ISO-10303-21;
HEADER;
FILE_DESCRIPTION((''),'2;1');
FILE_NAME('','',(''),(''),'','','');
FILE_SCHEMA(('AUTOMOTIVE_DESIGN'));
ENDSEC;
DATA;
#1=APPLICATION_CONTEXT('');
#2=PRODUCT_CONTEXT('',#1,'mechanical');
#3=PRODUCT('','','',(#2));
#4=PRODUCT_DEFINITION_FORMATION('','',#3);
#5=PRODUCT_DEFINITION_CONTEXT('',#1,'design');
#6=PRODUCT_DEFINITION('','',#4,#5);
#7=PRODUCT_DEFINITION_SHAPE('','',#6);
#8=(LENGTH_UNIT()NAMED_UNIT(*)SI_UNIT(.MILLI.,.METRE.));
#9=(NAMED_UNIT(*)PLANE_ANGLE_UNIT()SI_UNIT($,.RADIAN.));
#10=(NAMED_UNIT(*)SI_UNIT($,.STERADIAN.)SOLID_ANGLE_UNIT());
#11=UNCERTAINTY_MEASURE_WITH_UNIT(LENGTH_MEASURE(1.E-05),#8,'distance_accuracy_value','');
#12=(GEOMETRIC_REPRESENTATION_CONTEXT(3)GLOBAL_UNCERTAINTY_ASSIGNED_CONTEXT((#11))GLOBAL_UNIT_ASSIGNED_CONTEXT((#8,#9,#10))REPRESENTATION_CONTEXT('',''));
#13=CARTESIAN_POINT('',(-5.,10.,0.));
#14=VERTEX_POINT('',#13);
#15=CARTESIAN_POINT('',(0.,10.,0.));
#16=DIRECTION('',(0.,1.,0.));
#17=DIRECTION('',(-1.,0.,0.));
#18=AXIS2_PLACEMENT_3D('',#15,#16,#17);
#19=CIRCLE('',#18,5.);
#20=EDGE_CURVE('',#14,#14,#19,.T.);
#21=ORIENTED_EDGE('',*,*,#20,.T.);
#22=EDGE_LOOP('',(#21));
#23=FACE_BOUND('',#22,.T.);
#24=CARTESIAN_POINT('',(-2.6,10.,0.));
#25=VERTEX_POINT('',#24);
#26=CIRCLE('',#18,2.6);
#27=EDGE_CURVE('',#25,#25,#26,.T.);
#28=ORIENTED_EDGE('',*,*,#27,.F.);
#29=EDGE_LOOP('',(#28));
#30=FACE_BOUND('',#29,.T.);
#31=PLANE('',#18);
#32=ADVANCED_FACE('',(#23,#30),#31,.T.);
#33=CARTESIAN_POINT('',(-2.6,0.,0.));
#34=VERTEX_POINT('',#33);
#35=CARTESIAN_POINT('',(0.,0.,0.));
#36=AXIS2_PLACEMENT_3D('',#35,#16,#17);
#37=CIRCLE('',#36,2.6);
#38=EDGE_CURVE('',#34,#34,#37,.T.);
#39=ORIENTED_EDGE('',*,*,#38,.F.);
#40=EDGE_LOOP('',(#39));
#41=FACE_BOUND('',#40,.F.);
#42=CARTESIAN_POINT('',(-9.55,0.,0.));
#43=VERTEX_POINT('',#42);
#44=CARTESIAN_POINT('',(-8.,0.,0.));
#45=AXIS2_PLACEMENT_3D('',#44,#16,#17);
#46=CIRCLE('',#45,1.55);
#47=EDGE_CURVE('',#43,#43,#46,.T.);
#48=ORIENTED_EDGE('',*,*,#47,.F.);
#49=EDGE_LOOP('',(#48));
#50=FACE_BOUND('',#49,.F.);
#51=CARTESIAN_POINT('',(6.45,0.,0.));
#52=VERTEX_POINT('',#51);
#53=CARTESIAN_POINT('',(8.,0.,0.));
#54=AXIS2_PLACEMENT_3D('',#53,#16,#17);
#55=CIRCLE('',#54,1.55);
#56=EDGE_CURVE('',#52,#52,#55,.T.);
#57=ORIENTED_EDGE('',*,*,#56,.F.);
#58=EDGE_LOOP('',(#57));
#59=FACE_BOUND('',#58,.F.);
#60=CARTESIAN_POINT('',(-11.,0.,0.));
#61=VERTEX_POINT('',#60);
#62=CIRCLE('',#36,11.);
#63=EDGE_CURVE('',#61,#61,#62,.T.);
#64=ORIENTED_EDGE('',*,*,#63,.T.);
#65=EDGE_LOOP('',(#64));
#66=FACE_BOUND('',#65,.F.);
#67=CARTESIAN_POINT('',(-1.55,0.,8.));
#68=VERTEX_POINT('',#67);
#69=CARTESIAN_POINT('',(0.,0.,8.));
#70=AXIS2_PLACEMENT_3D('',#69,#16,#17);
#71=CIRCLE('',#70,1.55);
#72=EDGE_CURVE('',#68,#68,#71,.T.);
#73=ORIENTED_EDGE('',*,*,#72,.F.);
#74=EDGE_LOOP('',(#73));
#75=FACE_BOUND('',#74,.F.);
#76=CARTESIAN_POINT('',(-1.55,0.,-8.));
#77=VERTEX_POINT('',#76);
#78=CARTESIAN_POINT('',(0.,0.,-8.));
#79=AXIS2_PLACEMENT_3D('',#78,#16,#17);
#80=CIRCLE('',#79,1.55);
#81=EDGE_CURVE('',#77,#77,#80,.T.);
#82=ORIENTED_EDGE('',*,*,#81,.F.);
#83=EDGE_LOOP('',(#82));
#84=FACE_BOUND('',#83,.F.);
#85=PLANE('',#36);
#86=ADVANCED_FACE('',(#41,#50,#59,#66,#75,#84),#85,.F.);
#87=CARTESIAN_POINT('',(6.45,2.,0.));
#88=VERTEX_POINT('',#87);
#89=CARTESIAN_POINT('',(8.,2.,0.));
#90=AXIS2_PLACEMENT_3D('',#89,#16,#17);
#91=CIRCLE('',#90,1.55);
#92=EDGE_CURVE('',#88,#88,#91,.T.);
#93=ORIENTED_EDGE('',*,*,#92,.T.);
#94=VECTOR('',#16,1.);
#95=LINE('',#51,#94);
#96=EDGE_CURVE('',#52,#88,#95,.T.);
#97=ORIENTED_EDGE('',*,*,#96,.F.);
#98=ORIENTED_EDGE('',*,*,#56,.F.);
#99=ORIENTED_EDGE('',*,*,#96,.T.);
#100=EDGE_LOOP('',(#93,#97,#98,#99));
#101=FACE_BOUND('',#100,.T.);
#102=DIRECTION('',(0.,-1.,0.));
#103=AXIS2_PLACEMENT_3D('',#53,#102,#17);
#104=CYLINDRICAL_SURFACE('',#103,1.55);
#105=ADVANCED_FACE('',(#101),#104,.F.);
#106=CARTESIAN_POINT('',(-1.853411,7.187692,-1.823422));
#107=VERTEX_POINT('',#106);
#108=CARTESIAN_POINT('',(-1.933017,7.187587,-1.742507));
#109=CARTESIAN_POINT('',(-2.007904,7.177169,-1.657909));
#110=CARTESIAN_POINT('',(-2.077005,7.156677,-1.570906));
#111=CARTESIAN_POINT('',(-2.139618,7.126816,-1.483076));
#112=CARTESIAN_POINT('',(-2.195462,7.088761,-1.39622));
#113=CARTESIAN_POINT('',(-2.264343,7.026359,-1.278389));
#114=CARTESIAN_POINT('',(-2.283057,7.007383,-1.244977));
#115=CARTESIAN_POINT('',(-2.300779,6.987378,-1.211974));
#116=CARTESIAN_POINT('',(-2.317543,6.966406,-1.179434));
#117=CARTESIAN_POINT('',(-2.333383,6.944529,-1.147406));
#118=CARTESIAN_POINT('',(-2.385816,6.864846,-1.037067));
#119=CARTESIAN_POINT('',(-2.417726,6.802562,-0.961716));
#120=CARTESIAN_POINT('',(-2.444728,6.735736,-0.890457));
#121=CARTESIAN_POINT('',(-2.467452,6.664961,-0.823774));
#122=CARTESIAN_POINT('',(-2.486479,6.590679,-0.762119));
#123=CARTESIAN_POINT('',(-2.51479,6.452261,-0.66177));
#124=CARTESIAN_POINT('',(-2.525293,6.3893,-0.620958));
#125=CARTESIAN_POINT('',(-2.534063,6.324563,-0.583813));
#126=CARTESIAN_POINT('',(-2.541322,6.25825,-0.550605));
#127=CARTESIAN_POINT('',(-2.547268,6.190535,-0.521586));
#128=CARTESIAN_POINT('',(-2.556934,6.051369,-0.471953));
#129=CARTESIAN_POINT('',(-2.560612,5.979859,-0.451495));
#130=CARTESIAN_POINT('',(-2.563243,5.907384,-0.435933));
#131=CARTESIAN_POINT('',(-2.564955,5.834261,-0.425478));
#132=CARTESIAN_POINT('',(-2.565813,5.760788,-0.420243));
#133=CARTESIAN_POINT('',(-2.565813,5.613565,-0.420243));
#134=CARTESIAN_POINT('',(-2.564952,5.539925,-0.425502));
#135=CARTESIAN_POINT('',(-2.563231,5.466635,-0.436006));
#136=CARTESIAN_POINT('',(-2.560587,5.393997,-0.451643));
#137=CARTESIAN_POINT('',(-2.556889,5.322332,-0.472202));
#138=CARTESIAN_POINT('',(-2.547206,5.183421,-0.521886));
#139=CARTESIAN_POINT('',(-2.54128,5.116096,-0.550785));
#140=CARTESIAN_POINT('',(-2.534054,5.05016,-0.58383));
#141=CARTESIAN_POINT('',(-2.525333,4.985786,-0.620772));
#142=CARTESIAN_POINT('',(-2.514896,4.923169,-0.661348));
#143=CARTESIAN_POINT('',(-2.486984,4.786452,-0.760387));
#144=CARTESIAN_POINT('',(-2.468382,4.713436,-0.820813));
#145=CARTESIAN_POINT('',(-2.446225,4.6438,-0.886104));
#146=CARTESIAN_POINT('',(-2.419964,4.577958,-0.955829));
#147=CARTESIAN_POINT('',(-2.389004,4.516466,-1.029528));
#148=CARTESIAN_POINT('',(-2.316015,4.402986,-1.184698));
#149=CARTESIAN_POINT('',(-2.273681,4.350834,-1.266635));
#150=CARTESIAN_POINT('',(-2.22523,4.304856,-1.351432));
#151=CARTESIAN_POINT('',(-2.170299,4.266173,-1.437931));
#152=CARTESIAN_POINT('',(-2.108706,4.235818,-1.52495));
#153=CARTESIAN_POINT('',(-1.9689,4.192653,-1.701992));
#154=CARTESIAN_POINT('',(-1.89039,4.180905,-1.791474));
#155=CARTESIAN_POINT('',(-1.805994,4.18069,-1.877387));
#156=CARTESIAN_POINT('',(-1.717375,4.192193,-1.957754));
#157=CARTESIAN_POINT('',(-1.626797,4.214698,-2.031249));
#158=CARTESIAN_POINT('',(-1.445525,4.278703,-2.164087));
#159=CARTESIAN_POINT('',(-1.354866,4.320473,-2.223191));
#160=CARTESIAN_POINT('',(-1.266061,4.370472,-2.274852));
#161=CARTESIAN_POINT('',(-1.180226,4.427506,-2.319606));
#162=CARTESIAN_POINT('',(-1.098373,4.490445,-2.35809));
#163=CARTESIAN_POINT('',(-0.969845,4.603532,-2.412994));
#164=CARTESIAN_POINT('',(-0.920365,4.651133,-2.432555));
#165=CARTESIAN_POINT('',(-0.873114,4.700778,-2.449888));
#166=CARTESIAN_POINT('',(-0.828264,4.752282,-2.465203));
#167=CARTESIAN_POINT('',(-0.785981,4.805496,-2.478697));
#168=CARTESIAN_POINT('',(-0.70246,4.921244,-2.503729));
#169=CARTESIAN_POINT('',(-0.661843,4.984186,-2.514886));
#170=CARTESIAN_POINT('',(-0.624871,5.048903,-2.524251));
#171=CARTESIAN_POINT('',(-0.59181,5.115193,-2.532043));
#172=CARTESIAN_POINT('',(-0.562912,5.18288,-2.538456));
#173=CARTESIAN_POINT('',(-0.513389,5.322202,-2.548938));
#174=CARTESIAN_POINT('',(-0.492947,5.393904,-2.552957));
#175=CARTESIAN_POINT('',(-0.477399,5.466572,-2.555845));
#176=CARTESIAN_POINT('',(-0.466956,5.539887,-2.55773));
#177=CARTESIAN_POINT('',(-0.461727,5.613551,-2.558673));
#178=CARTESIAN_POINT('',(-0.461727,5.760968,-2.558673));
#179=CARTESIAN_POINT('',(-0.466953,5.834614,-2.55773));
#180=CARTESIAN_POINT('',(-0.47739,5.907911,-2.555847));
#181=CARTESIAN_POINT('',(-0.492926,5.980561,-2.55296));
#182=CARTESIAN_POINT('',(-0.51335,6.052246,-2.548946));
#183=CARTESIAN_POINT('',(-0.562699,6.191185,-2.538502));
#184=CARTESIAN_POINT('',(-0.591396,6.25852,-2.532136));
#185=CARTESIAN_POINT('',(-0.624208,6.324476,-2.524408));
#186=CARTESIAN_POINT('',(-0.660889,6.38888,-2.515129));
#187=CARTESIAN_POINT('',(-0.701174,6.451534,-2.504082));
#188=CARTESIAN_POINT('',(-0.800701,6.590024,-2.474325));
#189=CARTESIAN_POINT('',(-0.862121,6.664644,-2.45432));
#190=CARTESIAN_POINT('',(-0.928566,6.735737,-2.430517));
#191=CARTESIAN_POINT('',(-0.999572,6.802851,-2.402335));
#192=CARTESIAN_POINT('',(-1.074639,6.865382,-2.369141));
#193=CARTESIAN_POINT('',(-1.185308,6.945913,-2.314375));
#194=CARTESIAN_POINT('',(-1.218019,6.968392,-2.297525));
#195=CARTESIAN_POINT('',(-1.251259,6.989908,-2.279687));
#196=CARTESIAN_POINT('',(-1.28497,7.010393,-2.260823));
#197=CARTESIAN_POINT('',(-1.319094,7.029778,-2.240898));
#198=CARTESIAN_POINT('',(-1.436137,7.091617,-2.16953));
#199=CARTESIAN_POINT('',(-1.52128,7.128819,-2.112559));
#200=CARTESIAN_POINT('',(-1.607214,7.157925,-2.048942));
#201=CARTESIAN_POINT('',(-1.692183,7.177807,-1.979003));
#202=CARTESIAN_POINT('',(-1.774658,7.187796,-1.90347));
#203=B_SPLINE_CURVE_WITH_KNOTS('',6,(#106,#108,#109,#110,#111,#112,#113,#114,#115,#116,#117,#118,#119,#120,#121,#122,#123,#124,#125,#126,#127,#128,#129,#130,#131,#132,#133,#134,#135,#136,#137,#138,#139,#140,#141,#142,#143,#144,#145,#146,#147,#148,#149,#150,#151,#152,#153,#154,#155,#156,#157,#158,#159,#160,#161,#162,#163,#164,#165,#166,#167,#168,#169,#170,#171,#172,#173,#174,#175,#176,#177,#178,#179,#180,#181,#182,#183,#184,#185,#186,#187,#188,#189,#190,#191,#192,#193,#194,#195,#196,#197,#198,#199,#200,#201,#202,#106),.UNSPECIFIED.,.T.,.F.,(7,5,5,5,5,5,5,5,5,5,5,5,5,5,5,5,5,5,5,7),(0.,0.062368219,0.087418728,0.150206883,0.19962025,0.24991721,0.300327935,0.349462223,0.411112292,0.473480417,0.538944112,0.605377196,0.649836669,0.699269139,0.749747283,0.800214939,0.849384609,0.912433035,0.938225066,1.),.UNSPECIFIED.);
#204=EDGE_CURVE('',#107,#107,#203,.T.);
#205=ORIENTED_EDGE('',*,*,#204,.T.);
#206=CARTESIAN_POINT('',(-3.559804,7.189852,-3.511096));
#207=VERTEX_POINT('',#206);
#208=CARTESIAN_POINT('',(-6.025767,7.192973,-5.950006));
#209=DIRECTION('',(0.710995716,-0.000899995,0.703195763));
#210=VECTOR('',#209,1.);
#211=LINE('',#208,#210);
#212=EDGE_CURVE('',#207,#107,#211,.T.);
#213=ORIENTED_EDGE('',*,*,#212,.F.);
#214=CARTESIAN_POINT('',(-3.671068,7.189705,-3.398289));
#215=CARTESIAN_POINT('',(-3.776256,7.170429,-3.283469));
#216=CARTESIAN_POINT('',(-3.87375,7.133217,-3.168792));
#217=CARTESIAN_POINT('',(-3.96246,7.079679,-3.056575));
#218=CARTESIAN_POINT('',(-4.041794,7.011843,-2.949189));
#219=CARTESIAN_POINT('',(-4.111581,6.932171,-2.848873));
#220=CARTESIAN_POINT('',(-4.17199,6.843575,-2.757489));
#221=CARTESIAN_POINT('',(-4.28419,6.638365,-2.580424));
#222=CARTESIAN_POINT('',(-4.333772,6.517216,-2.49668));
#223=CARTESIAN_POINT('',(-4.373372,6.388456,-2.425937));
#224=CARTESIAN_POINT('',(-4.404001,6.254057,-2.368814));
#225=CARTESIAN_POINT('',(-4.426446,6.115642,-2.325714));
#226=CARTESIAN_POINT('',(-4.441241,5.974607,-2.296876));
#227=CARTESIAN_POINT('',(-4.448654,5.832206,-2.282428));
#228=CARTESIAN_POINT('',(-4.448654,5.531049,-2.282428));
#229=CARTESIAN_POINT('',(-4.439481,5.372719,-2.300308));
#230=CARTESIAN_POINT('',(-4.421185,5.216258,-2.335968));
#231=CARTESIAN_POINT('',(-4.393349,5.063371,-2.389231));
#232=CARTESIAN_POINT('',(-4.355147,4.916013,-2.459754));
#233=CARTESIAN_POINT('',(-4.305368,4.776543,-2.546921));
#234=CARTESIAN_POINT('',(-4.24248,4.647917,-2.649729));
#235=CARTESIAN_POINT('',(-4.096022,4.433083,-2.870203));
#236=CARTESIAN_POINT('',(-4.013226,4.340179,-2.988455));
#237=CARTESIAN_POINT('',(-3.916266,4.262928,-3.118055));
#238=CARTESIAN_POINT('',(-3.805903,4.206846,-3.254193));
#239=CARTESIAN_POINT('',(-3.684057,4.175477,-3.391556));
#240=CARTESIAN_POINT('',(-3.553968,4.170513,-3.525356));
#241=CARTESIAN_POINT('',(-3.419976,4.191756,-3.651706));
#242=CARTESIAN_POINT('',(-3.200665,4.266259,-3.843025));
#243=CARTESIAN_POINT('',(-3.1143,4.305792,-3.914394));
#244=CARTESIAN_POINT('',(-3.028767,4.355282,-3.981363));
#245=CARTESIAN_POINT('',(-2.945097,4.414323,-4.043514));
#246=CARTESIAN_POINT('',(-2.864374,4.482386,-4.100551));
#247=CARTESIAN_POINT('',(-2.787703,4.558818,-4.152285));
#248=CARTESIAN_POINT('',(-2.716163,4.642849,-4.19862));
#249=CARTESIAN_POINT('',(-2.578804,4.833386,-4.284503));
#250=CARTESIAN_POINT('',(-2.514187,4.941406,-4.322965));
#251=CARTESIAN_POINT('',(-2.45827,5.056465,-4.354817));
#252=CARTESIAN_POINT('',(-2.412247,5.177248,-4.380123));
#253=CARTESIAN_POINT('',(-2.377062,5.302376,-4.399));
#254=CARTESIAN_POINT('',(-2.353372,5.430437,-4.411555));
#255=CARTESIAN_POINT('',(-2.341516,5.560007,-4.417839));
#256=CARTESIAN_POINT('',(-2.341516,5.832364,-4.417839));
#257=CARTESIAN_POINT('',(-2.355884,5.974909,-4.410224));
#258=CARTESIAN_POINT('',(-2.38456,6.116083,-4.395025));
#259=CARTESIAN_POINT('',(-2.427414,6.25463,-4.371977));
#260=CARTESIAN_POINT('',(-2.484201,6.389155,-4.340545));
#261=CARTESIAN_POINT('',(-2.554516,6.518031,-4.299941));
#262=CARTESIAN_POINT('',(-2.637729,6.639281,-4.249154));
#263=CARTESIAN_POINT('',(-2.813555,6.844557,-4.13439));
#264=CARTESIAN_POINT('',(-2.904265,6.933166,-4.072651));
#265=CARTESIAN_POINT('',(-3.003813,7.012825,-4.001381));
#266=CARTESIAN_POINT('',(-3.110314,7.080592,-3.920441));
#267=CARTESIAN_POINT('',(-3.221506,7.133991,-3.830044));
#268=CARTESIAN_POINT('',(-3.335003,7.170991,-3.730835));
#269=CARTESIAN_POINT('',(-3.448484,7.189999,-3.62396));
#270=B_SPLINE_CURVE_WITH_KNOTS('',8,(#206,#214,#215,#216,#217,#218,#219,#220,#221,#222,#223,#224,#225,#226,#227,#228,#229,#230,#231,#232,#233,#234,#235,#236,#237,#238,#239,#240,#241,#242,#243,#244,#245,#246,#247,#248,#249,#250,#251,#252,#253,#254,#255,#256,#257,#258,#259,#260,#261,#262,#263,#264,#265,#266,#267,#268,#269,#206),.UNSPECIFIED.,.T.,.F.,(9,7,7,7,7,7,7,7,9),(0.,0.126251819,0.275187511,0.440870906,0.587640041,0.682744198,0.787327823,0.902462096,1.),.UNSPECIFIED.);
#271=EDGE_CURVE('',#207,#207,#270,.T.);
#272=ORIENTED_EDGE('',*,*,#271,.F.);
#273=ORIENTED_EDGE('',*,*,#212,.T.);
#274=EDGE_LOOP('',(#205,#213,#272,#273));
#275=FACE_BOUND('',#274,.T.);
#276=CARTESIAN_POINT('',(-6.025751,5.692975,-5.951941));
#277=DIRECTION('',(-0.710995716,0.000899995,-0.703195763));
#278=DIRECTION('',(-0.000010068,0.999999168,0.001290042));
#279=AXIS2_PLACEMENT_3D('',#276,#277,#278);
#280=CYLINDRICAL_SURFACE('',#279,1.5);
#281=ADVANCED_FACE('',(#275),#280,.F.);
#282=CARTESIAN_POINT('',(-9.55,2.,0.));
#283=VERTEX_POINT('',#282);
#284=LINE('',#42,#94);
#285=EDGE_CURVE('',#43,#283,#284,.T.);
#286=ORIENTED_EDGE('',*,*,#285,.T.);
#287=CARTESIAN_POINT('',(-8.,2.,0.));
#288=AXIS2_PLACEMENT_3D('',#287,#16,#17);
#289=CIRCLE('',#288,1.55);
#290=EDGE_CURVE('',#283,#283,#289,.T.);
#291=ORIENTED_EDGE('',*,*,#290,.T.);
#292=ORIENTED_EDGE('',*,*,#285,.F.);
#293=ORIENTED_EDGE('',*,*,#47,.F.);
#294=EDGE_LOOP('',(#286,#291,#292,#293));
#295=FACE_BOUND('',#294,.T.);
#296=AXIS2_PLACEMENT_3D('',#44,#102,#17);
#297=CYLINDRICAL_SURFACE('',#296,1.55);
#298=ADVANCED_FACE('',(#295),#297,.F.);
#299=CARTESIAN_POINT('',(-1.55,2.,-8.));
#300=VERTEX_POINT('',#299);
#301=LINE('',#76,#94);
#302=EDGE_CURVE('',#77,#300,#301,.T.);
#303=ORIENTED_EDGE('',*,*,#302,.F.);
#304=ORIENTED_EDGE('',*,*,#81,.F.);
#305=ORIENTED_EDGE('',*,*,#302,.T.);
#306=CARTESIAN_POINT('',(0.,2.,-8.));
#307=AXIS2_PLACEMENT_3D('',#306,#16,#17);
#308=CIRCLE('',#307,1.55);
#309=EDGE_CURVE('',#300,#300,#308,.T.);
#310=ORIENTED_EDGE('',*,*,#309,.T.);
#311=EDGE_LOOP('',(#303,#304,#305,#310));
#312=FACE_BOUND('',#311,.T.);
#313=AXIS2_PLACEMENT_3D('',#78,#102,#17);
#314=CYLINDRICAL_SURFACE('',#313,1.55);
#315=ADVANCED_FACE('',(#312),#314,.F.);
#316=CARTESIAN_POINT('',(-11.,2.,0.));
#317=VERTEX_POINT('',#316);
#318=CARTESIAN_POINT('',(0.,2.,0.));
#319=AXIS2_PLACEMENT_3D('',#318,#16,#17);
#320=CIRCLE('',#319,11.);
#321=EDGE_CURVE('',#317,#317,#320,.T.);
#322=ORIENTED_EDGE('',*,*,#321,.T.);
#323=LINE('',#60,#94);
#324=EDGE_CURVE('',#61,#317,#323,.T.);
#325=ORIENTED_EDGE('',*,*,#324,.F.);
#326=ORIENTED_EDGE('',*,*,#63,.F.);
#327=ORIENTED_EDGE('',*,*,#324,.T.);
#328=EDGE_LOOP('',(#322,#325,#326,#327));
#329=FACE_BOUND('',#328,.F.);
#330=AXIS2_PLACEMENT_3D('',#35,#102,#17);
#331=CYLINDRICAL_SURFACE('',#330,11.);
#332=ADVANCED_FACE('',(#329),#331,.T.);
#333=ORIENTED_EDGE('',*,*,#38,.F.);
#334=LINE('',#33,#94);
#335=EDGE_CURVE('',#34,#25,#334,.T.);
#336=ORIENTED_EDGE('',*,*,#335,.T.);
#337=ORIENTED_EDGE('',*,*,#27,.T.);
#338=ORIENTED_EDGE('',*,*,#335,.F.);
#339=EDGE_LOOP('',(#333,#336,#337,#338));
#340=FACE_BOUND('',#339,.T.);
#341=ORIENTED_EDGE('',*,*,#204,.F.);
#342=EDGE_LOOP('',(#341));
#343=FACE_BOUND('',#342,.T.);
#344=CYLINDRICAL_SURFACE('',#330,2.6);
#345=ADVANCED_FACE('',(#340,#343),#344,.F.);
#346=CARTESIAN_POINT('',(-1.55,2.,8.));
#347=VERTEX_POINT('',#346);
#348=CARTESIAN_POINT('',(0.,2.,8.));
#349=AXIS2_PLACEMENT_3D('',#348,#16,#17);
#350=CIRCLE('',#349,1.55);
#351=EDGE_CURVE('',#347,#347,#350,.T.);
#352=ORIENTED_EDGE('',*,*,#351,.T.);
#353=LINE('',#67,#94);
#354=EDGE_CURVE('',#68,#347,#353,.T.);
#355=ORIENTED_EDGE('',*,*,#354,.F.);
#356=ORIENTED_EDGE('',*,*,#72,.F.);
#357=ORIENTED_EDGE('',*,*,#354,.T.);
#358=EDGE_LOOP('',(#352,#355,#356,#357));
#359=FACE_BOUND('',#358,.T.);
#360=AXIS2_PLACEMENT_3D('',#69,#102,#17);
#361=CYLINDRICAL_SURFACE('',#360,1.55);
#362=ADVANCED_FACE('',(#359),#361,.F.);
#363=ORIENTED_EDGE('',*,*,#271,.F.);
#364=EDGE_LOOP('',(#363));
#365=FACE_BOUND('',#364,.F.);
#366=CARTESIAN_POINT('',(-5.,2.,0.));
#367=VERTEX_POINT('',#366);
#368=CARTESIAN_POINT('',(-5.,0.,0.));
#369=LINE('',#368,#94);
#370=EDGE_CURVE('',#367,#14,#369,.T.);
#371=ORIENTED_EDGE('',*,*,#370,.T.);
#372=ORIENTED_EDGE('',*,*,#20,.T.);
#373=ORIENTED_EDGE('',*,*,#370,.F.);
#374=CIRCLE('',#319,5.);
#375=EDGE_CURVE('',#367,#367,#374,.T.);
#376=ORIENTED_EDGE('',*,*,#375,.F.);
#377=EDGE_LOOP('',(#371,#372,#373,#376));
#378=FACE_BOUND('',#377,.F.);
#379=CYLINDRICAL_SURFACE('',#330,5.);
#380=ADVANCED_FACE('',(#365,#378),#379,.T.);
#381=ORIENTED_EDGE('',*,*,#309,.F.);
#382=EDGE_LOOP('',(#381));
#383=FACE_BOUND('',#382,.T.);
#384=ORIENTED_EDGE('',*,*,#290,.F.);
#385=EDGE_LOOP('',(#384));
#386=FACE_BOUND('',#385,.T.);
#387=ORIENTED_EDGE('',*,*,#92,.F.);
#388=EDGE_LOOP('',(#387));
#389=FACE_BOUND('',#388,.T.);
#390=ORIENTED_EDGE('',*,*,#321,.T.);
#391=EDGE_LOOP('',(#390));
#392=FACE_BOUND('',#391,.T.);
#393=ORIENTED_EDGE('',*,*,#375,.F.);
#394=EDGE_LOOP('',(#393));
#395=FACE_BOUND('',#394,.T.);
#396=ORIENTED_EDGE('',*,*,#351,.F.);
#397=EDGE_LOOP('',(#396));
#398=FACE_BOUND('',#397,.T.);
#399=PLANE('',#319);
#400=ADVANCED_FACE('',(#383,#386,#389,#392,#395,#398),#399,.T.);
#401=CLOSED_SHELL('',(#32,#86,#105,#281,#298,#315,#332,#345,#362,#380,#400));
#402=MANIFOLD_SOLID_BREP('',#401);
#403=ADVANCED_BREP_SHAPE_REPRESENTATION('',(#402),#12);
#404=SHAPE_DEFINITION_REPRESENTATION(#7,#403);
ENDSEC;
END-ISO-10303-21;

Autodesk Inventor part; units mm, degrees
ref_plane "YZ Plane" through (0, 0, 0) normal (1, 0, 0) x (0, 1, 0)
ref_plane "XZ Plane" through (0, 0, 0) normal (0, 1, 0) x (-1, 0, 0)
sketch "Эскиз1" plane through (0, 0, 0) normal (0, 1, 0) x (-1, 0, 0)
  circle A0 centre (0, 0) radius 5
  circle A1 centre (0, 0) radius 2.6
  circle A2 centre (0, 0) radius 11
  circle A3 centre (8, 0) radius 1.55
  circle A4 centre (-8, 0) radius 1.55
  circle A5 centre (0, 8) radius 1.55
  circle A6 centre (0, -8) radius 1.55
  dimension "d0" = 5.2
  dimension "d1" = 10
  dimension "d2" = 22
  dimension "d3" = 3.1
  dimension "d4" = 3.1
  dimension "d5" = 16
  dimension "d6" = 8
  dimension "d7" = 3.1
  dimension "d8" = 3.1
  dimension "d9" = 8
  dimension "d10" = 8
  dimension "d11" = 16
extrude "Выдавливание1" add sketch "Эскиз1" along normal blind 2 contours A2
extrude "Выдавливание2" add sketch "Эскиз1" along normal blind 10 contours A0
sketch "Эскиз2" plane through (0, 0, 0) normal (1, 0, 0) x (0, 1, 0)
  point P0 (0, 0)
  point P1 (-0.4556, -12.0524)
  point P2 (8.9773, -12.0404)
sketch "Эскиз3" plane through (0, 0, 0) normal (0, 0, 1) x (1, 0, 0)
  point P0 (0, 0)
  point P1 (-11.9191, -0.1213)
  point P2 (-11.9191, 9.5232)
ref_plane "РабПлоскость1" through (0, -0.4556, -12.0524) normal (0.711, -0.0009, 0.7032) x (0, 1, 0.0013)
sketch "Эскиз4" plane through (0, -0.4556, -12.0524) normal (0.711, -0.0009, 0.7032) x (0, 1, 0.0013)
  circle A0 centre (6.1565, 8.569) radius 1.5
  point P0 (0.4709, 8.569)
  dimension "d16" = 3
extrude "Выдавливание3" cut sketch "Эскиз4" along normal up to surface
properties part number "Муфта"
